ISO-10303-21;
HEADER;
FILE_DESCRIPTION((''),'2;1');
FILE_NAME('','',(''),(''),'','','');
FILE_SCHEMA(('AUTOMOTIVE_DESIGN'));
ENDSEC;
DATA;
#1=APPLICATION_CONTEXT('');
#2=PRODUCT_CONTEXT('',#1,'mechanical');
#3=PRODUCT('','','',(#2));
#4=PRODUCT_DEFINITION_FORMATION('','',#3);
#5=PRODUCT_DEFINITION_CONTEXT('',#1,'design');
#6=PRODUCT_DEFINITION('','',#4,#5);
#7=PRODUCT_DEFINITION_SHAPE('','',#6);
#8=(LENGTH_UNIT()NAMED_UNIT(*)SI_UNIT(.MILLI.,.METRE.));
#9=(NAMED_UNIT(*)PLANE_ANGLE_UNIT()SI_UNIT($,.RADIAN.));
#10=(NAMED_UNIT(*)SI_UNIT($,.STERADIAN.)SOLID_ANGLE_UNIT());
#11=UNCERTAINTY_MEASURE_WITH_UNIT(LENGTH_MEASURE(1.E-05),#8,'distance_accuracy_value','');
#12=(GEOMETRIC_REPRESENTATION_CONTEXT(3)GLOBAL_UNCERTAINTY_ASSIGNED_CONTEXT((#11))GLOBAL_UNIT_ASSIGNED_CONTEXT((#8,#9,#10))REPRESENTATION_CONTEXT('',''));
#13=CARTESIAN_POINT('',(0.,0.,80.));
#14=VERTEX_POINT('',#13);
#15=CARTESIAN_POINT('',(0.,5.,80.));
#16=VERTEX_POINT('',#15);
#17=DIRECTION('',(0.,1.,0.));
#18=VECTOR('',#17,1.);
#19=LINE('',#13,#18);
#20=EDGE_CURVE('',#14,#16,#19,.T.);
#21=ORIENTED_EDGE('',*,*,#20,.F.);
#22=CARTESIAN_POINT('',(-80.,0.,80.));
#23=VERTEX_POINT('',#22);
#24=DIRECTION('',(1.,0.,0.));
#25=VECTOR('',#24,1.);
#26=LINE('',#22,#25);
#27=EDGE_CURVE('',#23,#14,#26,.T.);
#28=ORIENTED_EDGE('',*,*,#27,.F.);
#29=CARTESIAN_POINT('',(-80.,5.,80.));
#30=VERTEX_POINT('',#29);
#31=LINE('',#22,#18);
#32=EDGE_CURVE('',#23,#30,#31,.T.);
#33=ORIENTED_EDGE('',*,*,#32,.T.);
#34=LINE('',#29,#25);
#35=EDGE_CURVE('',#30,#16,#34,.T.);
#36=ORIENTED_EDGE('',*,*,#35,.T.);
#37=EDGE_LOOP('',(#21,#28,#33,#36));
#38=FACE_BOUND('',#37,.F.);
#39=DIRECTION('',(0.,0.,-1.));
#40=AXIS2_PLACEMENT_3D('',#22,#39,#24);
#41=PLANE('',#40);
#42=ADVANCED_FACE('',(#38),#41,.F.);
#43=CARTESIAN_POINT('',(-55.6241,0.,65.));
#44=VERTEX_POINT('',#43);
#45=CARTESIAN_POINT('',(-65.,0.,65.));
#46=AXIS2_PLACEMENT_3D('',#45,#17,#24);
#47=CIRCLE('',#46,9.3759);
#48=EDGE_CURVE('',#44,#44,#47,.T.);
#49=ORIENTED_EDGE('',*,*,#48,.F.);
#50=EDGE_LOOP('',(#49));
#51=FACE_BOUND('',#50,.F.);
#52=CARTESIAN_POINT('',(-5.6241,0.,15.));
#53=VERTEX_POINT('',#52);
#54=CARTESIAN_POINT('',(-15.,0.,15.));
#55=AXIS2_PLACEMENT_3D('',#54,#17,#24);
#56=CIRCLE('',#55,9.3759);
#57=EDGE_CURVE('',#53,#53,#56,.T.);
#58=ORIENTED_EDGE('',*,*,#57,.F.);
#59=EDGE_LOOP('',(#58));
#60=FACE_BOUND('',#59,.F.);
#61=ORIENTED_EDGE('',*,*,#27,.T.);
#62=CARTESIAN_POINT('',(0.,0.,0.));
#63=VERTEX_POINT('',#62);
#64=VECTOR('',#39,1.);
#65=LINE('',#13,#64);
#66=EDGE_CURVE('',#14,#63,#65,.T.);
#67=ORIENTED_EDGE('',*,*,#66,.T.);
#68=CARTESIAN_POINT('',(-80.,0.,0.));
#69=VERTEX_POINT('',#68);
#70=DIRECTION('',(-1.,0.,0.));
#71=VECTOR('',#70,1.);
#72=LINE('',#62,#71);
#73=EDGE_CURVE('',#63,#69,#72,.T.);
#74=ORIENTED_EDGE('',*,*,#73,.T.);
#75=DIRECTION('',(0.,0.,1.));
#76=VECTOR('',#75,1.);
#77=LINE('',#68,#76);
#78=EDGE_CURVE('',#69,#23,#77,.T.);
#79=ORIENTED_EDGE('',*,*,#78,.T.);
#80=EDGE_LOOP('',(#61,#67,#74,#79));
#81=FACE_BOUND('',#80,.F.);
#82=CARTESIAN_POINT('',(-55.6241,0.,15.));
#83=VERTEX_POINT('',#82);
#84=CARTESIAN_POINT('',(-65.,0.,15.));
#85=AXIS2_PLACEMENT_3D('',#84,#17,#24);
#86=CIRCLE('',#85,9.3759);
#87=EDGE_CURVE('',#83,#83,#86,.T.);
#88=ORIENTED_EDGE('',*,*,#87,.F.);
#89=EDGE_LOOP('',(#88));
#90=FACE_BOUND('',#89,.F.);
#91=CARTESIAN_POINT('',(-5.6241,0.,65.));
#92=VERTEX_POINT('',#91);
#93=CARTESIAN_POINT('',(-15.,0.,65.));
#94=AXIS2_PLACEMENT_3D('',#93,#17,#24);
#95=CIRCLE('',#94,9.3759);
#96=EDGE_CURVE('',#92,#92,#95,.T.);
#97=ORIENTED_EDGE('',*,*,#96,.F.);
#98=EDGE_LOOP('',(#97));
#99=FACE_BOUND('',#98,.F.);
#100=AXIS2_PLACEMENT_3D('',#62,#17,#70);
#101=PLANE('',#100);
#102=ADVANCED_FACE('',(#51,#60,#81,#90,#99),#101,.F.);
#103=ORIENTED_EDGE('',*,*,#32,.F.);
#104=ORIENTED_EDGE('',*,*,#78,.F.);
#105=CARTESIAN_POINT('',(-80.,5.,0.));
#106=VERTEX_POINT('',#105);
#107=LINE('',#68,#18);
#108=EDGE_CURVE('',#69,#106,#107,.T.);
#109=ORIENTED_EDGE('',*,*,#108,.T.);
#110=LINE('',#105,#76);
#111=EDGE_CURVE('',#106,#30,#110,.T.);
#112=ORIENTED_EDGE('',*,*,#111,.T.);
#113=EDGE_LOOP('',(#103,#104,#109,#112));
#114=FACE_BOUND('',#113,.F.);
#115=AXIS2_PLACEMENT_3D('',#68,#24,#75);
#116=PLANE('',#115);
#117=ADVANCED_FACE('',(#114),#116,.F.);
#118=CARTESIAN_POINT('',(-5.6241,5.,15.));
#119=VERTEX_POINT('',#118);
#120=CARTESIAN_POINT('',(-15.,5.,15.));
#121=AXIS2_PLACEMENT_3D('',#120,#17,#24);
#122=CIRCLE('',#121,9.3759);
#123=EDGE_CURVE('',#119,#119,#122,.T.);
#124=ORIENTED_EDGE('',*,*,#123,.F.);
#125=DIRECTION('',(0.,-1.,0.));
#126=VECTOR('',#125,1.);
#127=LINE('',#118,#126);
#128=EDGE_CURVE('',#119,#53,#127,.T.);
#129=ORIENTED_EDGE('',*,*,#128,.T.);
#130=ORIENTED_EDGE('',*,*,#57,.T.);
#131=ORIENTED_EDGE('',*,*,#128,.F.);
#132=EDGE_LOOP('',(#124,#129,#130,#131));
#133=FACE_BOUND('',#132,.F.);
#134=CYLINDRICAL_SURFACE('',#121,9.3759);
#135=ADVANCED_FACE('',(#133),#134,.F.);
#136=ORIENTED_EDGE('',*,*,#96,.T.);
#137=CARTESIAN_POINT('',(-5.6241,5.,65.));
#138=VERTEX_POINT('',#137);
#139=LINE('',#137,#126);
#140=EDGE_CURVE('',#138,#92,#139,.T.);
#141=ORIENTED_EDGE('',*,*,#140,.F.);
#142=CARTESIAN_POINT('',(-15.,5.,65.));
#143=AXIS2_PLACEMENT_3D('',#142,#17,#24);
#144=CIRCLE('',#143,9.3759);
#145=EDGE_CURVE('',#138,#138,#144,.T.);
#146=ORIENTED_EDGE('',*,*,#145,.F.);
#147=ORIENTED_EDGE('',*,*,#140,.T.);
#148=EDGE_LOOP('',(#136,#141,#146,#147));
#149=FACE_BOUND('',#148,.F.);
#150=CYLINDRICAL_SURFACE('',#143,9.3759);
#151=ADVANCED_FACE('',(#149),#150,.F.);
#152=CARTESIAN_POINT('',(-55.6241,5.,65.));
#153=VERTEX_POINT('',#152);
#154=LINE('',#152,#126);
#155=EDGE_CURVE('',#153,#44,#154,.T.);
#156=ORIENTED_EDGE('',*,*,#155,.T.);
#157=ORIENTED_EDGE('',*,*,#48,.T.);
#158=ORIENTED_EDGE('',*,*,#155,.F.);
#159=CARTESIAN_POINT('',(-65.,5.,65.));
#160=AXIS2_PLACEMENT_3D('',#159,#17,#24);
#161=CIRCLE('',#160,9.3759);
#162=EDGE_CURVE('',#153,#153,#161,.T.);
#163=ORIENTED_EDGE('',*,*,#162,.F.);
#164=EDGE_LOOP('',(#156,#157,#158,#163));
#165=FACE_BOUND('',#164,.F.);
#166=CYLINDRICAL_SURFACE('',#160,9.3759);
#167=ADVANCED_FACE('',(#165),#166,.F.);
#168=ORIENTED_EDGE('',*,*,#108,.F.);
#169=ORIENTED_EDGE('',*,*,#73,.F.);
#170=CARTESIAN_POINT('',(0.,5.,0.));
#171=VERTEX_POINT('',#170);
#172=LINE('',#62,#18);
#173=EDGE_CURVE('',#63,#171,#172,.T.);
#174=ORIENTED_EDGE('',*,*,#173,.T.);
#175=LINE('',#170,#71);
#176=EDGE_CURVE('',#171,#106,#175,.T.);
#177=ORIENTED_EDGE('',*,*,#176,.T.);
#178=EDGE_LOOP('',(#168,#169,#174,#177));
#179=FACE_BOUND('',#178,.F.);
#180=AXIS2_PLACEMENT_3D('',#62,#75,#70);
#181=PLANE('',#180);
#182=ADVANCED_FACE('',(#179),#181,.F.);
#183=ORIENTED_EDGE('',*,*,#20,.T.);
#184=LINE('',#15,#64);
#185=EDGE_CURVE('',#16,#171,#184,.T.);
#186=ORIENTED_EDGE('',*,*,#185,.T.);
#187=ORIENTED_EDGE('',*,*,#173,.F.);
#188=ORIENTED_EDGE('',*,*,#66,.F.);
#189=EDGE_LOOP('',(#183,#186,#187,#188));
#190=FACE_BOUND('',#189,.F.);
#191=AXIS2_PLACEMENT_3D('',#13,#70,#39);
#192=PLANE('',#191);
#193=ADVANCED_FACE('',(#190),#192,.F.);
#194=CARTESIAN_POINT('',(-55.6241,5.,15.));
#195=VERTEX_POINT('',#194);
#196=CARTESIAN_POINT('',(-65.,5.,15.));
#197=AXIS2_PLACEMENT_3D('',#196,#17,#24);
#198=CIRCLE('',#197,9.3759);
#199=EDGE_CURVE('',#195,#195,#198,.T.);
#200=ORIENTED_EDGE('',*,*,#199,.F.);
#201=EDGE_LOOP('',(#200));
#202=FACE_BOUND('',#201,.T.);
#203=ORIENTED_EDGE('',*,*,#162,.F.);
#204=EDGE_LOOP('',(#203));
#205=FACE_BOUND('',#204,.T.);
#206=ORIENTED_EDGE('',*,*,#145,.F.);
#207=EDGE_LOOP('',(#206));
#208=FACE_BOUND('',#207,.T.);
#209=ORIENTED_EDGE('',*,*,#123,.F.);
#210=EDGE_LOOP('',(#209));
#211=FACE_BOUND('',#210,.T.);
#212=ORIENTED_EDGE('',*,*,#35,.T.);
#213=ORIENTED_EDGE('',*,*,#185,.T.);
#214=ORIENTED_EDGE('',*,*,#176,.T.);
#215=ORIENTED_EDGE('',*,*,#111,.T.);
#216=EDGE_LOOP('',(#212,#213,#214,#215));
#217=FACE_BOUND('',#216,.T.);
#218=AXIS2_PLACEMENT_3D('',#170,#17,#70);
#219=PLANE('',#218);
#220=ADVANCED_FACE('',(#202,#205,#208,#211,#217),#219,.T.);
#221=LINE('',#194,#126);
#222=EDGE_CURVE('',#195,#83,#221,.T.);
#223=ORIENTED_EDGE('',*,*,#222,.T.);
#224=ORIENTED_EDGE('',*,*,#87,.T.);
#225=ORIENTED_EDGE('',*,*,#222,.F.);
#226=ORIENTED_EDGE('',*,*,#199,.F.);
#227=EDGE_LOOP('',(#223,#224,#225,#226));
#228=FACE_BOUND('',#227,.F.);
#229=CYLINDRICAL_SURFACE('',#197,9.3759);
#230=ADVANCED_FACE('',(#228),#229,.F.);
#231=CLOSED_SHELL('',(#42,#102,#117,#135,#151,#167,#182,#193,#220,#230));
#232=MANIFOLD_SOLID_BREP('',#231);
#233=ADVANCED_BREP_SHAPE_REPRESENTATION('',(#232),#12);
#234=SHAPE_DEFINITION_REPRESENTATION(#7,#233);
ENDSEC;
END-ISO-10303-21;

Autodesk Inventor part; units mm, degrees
ref_plane "YZ Plane" through (0, 0, 0) normal (1, 0, 0) x (0, 1, 0)
ref_plane "XZ Plane" through (0, 0, 0) normal (0, 1, 0) x (-1, 0, 0)
ref_plane "XY Plane" through (0, 0, 0) normal (0, 0, 1) x (1, 0, 0)
sketch "草图1" plane through (0, 0, 0) normal (0, 1, 0) x (-1, 0, 0)
  line L0 (80, 80) -> (0, 80)
  line L1 (0, 80) -> (0, 0)
  line L2 (0, 0) -> (80, 0)
  line L3 (80, 0) -> (80, 80)
  dimension "d1" = 80
  dimension "d2" = 80
extrude "拉伸1" add sketch "草图1" along normal blind 5
sketch "草图2" plane through (0, 5, 0) normal (0, 1, 0) x (1, 0, 0)
  circle A0 centre (-65, -65) radius 9.3759
  line L0 (-80, 0) -> (-80, -80) projected
  line L1 (-80, -80) -> (0, -80) projected
  circle A1 centre (-65, -15) radius 9.3759
  circle A2 centre (-15, -15) radius 9.3759
  circle A3 centre (-15, -65) radius 9.3759
  point P0 (0, 0)
  dimension "d5" = 15
  dimension "d6" = 15
  dimension "d9" = 50
  dimension "d16" = 50
  dimension "d23" = 50
extrude "拉伸2" cut sketch "草图2" against normal blind 5
